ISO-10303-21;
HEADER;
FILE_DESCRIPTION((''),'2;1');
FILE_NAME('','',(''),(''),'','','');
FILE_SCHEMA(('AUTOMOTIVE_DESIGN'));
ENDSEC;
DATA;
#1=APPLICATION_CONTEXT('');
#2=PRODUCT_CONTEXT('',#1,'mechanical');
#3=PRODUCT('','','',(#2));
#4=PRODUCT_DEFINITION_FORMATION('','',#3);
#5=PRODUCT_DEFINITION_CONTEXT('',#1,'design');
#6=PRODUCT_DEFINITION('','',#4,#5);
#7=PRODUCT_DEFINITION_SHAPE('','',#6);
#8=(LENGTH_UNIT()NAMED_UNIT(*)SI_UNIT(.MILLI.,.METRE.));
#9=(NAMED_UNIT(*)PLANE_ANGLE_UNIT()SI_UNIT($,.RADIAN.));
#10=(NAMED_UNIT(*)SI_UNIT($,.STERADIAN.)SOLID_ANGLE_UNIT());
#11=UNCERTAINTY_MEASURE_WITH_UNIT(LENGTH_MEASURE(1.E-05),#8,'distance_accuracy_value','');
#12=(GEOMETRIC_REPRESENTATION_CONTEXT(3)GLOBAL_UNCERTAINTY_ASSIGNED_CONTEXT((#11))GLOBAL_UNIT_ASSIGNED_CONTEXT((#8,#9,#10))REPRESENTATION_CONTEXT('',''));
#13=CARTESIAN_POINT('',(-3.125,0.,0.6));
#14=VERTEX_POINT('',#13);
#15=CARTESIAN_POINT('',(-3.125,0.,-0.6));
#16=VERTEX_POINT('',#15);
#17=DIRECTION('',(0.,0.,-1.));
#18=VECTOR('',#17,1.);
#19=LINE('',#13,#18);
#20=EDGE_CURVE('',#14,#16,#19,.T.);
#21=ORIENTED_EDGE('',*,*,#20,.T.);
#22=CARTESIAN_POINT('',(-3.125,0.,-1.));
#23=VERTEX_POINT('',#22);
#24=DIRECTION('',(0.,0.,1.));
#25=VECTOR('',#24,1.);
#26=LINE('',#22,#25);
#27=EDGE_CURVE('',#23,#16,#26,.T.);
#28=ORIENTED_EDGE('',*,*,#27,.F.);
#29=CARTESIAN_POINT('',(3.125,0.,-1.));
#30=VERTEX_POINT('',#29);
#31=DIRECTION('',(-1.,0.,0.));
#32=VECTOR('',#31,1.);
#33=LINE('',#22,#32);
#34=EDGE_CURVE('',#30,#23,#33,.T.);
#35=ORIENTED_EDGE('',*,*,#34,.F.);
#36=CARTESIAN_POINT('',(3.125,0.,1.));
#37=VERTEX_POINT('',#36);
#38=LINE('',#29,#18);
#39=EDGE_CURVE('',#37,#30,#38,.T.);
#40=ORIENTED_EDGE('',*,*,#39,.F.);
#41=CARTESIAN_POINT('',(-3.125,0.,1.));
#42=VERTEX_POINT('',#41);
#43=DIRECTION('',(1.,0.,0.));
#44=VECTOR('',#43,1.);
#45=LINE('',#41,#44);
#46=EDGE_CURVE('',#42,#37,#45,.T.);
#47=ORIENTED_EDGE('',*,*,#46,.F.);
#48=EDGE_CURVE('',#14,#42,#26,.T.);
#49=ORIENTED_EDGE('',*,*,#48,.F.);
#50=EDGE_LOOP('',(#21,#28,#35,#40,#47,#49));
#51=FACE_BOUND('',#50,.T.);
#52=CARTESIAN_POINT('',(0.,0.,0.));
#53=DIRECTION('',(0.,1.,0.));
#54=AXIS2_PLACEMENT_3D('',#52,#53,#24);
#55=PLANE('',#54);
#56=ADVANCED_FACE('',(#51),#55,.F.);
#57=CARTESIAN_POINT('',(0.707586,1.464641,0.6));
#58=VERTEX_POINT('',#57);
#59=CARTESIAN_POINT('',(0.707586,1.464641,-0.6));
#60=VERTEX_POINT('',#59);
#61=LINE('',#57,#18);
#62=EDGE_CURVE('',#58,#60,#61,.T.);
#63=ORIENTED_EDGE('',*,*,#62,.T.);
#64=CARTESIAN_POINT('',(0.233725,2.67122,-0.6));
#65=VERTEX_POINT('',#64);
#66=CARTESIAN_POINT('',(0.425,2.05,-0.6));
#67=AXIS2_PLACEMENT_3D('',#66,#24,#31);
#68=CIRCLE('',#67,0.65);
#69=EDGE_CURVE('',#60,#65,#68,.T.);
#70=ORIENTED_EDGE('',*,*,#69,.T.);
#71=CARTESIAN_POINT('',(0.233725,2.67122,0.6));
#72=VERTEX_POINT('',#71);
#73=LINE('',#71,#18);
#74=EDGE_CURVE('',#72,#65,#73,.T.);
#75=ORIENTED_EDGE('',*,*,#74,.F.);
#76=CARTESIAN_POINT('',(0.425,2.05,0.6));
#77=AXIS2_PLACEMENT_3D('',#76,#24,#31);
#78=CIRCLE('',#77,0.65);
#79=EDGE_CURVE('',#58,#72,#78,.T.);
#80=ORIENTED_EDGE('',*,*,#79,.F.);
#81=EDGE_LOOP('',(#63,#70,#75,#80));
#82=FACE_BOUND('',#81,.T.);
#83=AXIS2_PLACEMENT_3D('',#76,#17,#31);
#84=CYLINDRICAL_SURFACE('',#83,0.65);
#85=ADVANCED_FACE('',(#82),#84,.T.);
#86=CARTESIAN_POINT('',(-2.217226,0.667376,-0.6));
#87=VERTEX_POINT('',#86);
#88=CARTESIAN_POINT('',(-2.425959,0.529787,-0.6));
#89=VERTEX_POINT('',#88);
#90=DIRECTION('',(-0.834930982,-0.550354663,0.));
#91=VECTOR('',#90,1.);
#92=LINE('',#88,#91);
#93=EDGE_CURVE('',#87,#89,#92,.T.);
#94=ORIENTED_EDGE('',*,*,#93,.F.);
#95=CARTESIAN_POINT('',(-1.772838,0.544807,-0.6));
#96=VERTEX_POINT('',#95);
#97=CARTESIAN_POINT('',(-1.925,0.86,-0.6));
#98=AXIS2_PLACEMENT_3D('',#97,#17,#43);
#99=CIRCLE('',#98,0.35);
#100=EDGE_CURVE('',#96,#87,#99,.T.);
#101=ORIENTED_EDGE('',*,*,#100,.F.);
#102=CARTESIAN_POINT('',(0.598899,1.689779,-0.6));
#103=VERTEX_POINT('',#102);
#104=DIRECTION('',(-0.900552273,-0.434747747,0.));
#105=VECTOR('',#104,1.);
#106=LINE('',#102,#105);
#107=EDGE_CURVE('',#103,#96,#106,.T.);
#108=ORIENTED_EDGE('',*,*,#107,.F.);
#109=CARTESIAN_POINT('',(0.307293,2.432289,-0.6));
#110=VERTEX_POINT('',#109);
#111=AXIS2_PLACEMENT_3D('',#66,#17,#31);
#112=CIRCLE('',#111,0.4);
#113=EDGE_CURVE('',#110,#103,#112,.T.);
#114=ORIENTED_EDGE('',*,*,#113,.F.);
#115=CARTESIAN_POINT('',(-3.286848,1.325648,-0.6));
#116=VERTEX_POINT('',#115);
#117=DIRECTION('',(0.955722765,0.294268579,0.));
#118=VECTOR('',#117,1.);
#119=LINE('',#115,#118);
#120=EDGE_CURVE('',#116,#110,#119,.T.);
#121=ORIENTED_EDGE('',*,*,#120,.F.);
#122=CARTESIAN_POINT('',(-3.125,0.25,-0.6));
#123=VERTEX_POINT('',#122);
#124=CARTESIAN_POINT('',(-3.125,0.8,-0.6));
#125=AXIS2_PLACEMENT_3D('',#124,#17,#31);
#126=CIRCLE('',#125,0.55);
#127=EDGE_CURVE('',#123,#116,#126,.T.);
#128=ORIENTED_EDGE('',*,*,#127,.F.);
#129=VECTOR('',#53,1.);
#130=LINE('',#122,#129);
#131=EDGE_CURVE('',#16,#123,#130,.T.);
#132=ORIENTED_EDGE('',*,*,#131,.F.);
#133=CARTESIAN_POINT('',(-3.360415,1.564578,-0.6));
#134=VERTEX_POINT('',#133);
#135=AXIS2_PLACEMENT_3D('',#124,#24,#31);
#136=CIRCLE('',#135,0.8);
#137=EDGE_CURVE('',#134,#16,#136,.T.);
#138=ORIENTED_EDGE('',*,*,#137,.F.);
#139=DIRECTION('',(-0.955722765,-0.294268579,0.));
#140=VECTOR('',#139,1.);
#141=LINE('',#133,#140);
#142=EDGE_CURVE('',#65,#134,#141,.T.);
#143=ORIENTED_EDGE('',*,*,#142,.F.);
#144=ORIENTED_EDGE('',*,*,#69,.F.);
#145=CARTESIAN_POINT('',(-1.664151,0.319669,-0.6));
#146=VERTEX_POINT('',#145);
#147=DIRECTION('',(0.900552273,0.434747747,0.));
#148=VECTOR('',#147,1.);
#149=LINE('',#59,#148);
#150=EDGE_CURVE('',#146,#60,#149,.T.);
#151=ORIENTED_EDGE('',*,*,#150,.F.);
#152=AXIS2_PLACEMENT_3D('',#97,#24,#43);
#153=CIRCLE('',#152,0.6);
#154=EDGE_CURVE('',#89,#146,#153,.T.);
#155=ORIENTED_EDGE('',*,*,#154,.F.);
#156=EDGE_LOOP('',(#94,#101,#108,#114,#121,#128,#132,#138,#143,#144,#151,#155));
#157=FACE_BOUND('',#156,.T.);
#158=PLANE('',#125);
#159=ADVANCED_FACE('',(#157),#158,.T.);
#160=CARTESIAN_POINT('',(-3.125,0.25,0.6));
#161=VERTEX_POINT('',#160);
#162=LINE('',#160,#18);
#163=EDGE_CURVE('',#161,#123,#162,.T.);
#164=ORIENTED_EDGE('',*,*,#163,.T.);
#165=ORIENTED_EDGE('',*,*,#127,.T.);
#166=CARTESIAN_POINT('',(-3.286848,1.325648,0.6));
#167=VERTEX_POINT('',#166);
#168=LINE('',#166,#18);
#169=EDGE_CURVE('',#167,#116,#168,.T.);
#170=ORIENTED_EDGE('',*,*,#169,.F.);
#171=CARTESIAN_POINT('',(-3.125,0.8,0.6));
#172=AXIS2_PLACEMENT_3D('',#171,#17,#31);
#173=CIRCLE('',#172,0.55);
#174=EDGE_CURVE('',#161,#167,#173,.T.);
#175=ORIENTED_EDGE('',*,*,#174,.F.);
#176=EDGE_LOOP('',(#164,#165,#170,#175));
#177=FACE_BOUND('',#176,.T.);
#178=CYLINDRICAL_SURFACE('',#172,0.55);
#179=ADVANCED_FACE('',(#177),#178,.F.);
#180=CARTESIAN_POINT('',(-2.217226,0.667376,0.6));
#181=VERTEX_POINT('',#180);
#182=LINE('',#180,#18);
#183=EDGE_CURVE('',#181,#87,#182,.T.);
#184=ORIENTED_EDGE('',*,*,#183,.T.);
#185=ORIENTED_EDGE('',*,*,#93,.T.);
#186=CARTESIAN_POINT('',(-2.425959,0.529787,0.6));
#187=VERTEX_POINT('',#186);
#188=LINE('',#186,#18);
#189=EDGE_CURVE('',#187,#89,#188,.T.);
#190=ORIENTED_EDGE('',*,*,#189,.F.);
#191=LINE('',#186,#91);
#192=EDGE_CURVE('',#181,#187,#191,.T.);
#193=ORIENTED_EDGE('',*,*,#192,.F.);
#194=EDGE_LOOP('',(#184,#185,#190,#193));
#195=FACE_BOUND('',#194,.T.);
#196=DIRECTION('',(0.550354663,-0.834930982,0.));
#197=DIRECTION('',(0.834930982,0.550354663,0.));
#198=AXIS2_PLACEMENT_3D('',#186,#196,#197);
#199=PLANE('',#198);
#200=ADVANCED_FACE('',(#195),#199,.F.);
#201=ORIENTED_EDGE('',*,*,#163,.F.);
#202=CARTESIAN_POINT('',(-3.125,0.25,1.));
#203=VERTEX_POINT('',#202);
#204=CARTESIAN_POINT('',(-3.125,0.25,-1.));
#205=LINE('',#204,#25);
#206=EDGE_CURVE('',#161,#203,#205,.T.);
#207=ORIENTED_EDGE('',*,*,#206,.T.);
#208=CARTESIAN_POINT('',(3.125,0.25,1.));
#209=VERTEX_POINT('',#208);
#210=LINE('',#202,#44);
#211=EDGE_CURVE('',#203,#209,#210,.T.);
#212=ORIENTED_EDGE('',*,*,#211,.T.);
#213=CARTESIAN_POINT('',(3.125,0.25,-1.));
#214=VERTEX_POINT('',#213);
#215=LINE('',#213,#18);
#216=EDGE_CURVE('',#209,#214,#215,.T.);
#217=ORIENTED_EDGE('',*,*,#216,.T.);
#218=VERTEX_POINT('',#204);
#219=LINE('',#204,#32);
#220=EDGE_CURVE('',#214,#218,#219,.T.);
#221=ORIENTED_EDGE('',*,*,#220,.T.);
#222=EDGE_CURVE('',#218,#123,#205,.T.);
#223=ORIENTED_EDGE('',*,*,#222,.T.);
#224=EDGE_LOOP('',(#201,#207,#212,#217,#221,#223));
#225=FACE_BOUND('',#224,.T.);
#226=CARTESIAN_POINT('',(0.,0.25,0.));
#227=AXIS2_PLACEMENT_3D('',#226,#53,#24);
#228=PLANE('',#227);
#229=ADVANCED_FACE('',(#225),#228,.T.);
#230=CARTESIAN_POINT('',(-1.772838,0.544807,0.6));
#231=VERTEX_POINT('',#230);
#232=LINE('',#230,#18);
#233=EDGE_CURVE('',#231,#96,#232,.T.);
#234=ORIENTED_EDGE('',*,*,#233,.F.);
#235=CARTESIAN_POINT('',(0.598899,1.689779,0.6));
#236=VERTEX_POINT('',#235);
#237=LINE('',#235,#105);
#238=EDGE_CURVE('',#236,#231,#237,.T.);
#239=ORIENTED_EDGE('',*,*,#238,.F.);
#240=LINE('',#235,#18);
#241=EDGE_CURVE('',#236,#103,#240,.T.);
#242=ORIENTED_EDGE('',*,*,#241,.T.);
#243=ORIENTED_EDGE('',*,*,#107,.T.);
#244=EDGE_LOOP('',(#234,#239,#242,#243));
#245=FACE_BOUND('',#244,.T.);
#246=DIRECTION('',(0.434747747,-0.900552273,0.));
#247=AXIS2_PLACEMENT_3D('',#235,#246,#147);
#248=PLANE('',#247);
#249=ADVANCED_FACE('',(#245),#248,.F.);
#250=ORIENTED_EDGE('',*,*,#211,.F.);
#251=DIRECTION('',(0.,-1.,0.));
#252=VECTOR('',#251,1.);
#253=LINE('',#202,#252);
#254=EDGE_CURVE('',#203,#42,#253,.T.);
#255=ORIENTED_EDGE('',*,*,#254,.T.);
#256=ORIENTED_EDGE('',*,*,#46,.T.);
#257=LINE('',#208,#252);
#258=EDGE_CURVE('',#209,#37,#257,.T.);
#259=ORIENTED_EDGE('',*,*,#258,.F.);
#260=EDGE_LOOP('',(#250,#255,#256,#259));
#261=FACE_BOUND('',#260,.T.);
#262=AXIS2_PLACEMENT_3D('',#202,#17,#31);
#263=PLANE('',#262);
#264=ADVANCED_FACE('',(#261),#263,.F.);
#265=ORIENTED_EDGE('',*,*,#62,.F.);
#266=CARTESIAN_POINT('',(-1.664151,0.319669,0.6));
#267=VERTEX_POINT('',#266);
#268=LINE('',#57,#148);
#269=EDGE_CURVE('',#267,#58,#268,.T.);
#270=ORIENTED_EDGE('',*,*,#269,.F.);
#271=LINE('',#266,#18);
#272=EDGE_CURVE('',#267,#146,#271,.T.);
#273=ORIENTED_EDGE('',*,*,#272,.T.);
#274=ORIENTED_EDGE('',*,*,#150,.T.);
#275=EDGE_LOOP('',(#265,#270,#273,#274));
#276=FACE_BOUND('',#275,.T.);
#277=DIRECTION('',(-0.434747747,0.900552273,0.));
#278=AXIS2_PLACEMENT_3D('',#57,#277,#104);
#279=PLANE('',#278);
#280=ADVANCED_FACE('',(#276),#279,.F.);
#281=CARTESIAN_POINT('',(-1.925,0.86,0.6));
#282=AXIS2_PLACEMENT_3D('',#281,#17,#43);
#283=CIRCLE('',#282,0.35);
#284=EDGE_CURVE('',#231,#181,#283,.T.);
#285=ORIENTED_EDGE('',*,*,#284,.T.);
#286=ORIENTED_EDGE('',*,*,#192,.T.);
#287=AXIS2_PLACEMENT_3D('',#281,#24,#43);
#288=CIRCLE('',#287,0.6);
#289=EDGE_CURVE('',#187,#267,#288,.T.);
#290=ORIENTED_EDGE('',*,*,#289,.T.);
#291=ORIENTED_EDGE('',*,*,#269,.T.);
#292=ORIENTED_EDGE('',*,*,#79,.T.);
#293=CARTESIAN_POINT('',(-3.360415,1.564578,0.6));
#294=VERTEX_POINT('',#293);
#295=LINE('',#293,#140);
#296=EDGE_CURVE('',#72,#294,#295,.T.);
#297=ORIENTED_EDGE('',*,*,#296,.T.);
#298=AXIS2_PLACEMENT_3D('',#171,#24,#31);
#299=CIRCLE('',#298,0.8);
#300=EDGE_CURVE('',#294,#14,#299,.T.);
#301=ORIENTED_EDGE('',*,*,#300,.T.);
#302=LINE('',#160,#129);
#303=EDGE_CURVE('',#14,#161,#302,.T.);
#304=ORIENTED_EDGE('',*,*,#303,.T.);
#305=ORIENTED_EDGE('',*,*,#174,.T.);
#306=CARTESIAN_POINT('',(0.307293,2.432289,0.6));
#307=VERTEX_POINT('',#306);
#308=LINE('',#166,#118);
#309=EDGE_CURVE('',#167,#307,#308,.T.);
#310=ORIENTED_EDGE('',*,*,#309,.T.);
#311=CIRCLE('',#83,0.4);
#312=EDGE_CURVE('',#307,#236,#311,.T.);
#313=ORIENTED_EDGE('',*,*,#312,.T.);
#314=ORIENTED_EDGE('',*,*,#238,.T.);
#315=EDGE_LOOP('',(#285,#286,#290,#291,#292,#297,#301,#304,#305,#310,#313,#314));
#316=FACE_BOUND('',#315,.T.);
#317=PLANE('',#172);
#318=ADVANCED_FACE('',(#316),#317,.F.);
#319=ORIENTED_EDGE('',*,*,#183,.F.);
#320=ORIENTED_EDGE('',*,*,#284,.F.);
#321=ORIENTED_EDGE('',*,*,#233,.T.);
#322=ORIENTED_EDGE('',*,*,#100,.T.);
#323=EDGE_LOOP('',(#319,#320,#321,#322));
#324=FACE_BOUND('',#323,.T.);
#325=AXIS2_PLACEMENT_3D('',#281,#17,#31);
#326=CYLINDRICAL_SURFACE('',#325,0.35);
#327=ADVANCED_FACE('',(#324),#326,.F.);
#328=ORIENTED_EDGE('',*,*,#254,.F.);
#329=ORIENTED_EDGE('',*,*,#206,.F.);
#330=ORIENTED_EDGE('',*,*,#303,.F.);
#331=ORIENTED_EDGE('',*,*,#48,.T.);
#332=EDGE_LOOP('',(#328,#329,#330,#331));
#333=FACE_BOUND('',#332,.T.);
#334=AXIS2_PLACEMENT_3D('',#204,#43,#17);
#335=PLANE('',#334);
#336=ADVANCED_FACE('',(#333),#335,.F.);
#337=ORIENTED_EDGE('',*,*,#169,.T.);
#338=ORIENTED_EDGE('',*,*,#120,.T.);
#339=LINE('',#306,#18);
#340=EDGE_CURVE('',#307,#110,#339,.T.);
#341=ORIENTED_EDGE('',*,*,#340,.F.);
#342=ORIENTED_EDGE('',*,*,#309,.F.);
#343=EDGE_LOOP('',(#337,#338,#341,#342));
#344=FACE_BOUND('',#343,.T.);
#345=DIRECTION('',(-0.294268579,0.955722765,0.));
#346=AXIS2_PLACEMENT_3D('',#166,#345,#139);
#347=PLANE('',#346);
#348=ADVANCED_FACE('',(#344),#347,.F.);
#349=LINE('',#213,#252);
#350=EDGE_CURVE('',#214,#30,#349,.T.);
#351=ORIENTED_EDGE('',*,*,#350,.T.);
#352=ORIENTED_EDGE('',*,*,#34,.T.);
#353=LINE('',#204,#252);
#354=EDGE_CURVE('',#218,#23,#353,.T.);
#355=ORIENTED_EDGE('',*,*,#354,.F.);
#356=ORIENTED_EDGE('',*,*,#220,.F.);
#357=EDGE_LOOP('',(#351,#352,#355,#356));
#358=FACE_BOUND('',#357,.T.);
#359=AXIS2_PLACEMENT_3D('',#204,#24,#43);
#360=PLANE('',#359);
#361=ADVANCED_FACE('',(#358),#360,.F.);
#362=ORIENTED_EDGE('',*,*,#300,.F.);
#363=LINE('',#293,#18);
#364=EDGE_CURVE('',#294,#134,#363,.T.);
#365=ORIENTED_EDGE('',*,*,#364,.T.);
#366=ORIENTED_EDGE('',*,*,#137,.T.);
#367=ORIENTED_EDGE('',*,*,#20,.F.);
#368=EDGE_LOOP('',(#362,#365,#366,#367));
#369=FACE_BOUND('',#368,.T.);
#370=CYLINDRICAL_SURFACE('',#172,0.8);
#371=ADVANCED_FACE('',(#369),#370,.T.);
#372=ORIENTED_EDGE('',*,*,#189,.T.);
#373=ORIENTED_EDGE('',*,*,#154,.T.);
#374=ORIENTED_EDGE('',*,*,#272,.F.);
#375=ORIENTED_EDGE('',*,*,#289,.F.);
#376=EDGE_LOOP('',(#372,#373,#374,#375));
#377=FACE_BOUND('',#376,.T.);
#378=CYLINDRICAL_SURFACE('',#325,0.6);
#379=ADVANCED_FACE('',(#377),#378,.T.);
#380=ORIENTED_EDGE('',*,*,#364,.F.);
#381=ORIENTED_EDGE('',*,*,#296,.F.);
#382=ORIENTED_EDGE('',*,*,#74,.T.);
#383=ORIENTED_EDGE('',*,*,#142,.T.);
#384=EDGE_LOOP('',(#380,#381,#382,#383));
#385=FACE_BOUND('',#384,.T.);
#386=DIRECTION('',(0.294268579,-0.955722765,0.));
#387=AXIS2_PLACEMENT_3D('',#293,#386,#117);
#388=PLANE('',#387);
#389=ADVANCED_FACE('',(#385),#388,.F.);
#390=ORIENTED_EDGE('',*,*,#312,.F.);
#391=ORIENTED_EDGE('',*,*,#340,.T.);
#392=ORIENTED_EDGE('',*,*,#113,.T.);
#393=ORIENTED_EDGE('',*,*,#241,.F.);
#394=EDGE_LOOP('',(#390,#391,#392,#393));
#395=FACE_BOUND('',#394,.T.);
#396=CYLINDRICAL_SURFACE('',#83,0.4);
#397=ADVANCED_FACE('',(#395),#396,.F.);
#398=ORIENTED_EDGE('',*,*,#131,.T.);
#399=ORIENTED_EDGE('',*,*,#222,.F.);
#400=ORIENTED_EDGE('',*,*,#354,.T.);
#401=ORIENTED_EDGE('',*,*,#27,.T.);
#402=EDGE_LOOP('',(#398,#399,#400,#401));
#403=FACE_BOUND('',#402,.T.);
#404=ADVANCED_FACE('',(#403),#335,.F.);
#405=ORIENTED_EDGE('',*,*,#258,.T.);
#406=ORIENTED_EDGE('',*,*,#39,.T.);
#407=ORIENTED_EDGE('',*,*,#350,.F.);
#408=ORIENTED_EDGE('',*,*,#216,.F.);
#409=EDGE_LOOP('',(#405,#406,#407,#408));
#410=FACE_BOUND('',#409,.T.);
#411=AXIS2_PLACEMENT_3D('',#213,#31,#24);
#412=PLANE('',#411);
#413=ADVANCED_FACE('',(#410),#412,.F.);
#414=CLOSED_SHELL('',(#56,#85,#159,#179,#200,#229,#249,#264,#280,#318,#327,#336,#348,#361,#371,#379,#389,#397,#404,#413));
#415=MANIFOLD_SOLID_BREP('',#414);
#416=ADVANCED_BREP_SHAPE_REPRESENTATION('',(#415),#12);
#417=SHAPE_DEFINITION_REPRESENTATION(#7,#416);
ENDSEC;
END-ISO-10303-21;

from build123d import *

# Parameters (mm, degrees)
SKETCH_1_W       = 6.25
SKETCH_1_H       = 2
EXTRUDE_1_DEPTH  = 0.25
EXTRUDE_10_DEPTH = 0.6


with BuildPart() as part:
    # Эскиз1 → Бобышка-Вытянуть1 (new body)
    with BuildSketch(Plane(origin=(0, 0, 0), x_dir=(1, 0, 0), z_dir=(0, 1, 0))):
        Rectangle(SKETCH_1_W, SKETCH_1_H)
    extrude(amount=EXTRUDE_1_DEPTH)

    # Эскиз2 → Бобышка-Вытянуть10 (add, symmetric)
    with BuildSketch(Plane.XY):
        with BuildLine():
            Line((-3.360414863, 1.564578212), (0.233725424, 2.671219797))
            ThreePointArc((0.233725424, 2.671219797), (1.030014488, 2.287607806), (0.707586035, 1.464641022))
            Line((0.707586035, 1.464641022), (-1.664151352, 0.319668636))
            ThreePointArc((-1.664151352, 0.319668636), (-2.084532595, 0.281597587), (-2.425958589, 0.529787202))
            Line((-2.425958589, 0.529787202), (-2.217225844, 0.667375868))
            ThreePointArc((-2.217225844, 0.667375868), (-2.018060681, 0.522598593), (-1.772838289, 0.544806704))
            Line((-1.772838289, 0.544806704), (0.598899099, 1.689779091))
            ThreePointArc((0.598899099, 1.689779091), (0.797316608, 2.196220188), (0.307292568, 2.432289106))
            Line((0.307292568, 2.432289106), (-3.286847719, 1.325647521))
            ThreePointArc((-3.286847719, 1.325647521), (-3.668877806, 0.718165216), (-3.125, 0.25))
            Line((-3.125, 0.25), (-3.125, 0))
            ThreePointArc((-3.125, 0), (-3.916094991, 0.680967587), (-3.360414863, 1.564578212))
        make_face()
    extrude(amount=EXTRUDE_10_DEPTH, both=True)


solid = part.part
